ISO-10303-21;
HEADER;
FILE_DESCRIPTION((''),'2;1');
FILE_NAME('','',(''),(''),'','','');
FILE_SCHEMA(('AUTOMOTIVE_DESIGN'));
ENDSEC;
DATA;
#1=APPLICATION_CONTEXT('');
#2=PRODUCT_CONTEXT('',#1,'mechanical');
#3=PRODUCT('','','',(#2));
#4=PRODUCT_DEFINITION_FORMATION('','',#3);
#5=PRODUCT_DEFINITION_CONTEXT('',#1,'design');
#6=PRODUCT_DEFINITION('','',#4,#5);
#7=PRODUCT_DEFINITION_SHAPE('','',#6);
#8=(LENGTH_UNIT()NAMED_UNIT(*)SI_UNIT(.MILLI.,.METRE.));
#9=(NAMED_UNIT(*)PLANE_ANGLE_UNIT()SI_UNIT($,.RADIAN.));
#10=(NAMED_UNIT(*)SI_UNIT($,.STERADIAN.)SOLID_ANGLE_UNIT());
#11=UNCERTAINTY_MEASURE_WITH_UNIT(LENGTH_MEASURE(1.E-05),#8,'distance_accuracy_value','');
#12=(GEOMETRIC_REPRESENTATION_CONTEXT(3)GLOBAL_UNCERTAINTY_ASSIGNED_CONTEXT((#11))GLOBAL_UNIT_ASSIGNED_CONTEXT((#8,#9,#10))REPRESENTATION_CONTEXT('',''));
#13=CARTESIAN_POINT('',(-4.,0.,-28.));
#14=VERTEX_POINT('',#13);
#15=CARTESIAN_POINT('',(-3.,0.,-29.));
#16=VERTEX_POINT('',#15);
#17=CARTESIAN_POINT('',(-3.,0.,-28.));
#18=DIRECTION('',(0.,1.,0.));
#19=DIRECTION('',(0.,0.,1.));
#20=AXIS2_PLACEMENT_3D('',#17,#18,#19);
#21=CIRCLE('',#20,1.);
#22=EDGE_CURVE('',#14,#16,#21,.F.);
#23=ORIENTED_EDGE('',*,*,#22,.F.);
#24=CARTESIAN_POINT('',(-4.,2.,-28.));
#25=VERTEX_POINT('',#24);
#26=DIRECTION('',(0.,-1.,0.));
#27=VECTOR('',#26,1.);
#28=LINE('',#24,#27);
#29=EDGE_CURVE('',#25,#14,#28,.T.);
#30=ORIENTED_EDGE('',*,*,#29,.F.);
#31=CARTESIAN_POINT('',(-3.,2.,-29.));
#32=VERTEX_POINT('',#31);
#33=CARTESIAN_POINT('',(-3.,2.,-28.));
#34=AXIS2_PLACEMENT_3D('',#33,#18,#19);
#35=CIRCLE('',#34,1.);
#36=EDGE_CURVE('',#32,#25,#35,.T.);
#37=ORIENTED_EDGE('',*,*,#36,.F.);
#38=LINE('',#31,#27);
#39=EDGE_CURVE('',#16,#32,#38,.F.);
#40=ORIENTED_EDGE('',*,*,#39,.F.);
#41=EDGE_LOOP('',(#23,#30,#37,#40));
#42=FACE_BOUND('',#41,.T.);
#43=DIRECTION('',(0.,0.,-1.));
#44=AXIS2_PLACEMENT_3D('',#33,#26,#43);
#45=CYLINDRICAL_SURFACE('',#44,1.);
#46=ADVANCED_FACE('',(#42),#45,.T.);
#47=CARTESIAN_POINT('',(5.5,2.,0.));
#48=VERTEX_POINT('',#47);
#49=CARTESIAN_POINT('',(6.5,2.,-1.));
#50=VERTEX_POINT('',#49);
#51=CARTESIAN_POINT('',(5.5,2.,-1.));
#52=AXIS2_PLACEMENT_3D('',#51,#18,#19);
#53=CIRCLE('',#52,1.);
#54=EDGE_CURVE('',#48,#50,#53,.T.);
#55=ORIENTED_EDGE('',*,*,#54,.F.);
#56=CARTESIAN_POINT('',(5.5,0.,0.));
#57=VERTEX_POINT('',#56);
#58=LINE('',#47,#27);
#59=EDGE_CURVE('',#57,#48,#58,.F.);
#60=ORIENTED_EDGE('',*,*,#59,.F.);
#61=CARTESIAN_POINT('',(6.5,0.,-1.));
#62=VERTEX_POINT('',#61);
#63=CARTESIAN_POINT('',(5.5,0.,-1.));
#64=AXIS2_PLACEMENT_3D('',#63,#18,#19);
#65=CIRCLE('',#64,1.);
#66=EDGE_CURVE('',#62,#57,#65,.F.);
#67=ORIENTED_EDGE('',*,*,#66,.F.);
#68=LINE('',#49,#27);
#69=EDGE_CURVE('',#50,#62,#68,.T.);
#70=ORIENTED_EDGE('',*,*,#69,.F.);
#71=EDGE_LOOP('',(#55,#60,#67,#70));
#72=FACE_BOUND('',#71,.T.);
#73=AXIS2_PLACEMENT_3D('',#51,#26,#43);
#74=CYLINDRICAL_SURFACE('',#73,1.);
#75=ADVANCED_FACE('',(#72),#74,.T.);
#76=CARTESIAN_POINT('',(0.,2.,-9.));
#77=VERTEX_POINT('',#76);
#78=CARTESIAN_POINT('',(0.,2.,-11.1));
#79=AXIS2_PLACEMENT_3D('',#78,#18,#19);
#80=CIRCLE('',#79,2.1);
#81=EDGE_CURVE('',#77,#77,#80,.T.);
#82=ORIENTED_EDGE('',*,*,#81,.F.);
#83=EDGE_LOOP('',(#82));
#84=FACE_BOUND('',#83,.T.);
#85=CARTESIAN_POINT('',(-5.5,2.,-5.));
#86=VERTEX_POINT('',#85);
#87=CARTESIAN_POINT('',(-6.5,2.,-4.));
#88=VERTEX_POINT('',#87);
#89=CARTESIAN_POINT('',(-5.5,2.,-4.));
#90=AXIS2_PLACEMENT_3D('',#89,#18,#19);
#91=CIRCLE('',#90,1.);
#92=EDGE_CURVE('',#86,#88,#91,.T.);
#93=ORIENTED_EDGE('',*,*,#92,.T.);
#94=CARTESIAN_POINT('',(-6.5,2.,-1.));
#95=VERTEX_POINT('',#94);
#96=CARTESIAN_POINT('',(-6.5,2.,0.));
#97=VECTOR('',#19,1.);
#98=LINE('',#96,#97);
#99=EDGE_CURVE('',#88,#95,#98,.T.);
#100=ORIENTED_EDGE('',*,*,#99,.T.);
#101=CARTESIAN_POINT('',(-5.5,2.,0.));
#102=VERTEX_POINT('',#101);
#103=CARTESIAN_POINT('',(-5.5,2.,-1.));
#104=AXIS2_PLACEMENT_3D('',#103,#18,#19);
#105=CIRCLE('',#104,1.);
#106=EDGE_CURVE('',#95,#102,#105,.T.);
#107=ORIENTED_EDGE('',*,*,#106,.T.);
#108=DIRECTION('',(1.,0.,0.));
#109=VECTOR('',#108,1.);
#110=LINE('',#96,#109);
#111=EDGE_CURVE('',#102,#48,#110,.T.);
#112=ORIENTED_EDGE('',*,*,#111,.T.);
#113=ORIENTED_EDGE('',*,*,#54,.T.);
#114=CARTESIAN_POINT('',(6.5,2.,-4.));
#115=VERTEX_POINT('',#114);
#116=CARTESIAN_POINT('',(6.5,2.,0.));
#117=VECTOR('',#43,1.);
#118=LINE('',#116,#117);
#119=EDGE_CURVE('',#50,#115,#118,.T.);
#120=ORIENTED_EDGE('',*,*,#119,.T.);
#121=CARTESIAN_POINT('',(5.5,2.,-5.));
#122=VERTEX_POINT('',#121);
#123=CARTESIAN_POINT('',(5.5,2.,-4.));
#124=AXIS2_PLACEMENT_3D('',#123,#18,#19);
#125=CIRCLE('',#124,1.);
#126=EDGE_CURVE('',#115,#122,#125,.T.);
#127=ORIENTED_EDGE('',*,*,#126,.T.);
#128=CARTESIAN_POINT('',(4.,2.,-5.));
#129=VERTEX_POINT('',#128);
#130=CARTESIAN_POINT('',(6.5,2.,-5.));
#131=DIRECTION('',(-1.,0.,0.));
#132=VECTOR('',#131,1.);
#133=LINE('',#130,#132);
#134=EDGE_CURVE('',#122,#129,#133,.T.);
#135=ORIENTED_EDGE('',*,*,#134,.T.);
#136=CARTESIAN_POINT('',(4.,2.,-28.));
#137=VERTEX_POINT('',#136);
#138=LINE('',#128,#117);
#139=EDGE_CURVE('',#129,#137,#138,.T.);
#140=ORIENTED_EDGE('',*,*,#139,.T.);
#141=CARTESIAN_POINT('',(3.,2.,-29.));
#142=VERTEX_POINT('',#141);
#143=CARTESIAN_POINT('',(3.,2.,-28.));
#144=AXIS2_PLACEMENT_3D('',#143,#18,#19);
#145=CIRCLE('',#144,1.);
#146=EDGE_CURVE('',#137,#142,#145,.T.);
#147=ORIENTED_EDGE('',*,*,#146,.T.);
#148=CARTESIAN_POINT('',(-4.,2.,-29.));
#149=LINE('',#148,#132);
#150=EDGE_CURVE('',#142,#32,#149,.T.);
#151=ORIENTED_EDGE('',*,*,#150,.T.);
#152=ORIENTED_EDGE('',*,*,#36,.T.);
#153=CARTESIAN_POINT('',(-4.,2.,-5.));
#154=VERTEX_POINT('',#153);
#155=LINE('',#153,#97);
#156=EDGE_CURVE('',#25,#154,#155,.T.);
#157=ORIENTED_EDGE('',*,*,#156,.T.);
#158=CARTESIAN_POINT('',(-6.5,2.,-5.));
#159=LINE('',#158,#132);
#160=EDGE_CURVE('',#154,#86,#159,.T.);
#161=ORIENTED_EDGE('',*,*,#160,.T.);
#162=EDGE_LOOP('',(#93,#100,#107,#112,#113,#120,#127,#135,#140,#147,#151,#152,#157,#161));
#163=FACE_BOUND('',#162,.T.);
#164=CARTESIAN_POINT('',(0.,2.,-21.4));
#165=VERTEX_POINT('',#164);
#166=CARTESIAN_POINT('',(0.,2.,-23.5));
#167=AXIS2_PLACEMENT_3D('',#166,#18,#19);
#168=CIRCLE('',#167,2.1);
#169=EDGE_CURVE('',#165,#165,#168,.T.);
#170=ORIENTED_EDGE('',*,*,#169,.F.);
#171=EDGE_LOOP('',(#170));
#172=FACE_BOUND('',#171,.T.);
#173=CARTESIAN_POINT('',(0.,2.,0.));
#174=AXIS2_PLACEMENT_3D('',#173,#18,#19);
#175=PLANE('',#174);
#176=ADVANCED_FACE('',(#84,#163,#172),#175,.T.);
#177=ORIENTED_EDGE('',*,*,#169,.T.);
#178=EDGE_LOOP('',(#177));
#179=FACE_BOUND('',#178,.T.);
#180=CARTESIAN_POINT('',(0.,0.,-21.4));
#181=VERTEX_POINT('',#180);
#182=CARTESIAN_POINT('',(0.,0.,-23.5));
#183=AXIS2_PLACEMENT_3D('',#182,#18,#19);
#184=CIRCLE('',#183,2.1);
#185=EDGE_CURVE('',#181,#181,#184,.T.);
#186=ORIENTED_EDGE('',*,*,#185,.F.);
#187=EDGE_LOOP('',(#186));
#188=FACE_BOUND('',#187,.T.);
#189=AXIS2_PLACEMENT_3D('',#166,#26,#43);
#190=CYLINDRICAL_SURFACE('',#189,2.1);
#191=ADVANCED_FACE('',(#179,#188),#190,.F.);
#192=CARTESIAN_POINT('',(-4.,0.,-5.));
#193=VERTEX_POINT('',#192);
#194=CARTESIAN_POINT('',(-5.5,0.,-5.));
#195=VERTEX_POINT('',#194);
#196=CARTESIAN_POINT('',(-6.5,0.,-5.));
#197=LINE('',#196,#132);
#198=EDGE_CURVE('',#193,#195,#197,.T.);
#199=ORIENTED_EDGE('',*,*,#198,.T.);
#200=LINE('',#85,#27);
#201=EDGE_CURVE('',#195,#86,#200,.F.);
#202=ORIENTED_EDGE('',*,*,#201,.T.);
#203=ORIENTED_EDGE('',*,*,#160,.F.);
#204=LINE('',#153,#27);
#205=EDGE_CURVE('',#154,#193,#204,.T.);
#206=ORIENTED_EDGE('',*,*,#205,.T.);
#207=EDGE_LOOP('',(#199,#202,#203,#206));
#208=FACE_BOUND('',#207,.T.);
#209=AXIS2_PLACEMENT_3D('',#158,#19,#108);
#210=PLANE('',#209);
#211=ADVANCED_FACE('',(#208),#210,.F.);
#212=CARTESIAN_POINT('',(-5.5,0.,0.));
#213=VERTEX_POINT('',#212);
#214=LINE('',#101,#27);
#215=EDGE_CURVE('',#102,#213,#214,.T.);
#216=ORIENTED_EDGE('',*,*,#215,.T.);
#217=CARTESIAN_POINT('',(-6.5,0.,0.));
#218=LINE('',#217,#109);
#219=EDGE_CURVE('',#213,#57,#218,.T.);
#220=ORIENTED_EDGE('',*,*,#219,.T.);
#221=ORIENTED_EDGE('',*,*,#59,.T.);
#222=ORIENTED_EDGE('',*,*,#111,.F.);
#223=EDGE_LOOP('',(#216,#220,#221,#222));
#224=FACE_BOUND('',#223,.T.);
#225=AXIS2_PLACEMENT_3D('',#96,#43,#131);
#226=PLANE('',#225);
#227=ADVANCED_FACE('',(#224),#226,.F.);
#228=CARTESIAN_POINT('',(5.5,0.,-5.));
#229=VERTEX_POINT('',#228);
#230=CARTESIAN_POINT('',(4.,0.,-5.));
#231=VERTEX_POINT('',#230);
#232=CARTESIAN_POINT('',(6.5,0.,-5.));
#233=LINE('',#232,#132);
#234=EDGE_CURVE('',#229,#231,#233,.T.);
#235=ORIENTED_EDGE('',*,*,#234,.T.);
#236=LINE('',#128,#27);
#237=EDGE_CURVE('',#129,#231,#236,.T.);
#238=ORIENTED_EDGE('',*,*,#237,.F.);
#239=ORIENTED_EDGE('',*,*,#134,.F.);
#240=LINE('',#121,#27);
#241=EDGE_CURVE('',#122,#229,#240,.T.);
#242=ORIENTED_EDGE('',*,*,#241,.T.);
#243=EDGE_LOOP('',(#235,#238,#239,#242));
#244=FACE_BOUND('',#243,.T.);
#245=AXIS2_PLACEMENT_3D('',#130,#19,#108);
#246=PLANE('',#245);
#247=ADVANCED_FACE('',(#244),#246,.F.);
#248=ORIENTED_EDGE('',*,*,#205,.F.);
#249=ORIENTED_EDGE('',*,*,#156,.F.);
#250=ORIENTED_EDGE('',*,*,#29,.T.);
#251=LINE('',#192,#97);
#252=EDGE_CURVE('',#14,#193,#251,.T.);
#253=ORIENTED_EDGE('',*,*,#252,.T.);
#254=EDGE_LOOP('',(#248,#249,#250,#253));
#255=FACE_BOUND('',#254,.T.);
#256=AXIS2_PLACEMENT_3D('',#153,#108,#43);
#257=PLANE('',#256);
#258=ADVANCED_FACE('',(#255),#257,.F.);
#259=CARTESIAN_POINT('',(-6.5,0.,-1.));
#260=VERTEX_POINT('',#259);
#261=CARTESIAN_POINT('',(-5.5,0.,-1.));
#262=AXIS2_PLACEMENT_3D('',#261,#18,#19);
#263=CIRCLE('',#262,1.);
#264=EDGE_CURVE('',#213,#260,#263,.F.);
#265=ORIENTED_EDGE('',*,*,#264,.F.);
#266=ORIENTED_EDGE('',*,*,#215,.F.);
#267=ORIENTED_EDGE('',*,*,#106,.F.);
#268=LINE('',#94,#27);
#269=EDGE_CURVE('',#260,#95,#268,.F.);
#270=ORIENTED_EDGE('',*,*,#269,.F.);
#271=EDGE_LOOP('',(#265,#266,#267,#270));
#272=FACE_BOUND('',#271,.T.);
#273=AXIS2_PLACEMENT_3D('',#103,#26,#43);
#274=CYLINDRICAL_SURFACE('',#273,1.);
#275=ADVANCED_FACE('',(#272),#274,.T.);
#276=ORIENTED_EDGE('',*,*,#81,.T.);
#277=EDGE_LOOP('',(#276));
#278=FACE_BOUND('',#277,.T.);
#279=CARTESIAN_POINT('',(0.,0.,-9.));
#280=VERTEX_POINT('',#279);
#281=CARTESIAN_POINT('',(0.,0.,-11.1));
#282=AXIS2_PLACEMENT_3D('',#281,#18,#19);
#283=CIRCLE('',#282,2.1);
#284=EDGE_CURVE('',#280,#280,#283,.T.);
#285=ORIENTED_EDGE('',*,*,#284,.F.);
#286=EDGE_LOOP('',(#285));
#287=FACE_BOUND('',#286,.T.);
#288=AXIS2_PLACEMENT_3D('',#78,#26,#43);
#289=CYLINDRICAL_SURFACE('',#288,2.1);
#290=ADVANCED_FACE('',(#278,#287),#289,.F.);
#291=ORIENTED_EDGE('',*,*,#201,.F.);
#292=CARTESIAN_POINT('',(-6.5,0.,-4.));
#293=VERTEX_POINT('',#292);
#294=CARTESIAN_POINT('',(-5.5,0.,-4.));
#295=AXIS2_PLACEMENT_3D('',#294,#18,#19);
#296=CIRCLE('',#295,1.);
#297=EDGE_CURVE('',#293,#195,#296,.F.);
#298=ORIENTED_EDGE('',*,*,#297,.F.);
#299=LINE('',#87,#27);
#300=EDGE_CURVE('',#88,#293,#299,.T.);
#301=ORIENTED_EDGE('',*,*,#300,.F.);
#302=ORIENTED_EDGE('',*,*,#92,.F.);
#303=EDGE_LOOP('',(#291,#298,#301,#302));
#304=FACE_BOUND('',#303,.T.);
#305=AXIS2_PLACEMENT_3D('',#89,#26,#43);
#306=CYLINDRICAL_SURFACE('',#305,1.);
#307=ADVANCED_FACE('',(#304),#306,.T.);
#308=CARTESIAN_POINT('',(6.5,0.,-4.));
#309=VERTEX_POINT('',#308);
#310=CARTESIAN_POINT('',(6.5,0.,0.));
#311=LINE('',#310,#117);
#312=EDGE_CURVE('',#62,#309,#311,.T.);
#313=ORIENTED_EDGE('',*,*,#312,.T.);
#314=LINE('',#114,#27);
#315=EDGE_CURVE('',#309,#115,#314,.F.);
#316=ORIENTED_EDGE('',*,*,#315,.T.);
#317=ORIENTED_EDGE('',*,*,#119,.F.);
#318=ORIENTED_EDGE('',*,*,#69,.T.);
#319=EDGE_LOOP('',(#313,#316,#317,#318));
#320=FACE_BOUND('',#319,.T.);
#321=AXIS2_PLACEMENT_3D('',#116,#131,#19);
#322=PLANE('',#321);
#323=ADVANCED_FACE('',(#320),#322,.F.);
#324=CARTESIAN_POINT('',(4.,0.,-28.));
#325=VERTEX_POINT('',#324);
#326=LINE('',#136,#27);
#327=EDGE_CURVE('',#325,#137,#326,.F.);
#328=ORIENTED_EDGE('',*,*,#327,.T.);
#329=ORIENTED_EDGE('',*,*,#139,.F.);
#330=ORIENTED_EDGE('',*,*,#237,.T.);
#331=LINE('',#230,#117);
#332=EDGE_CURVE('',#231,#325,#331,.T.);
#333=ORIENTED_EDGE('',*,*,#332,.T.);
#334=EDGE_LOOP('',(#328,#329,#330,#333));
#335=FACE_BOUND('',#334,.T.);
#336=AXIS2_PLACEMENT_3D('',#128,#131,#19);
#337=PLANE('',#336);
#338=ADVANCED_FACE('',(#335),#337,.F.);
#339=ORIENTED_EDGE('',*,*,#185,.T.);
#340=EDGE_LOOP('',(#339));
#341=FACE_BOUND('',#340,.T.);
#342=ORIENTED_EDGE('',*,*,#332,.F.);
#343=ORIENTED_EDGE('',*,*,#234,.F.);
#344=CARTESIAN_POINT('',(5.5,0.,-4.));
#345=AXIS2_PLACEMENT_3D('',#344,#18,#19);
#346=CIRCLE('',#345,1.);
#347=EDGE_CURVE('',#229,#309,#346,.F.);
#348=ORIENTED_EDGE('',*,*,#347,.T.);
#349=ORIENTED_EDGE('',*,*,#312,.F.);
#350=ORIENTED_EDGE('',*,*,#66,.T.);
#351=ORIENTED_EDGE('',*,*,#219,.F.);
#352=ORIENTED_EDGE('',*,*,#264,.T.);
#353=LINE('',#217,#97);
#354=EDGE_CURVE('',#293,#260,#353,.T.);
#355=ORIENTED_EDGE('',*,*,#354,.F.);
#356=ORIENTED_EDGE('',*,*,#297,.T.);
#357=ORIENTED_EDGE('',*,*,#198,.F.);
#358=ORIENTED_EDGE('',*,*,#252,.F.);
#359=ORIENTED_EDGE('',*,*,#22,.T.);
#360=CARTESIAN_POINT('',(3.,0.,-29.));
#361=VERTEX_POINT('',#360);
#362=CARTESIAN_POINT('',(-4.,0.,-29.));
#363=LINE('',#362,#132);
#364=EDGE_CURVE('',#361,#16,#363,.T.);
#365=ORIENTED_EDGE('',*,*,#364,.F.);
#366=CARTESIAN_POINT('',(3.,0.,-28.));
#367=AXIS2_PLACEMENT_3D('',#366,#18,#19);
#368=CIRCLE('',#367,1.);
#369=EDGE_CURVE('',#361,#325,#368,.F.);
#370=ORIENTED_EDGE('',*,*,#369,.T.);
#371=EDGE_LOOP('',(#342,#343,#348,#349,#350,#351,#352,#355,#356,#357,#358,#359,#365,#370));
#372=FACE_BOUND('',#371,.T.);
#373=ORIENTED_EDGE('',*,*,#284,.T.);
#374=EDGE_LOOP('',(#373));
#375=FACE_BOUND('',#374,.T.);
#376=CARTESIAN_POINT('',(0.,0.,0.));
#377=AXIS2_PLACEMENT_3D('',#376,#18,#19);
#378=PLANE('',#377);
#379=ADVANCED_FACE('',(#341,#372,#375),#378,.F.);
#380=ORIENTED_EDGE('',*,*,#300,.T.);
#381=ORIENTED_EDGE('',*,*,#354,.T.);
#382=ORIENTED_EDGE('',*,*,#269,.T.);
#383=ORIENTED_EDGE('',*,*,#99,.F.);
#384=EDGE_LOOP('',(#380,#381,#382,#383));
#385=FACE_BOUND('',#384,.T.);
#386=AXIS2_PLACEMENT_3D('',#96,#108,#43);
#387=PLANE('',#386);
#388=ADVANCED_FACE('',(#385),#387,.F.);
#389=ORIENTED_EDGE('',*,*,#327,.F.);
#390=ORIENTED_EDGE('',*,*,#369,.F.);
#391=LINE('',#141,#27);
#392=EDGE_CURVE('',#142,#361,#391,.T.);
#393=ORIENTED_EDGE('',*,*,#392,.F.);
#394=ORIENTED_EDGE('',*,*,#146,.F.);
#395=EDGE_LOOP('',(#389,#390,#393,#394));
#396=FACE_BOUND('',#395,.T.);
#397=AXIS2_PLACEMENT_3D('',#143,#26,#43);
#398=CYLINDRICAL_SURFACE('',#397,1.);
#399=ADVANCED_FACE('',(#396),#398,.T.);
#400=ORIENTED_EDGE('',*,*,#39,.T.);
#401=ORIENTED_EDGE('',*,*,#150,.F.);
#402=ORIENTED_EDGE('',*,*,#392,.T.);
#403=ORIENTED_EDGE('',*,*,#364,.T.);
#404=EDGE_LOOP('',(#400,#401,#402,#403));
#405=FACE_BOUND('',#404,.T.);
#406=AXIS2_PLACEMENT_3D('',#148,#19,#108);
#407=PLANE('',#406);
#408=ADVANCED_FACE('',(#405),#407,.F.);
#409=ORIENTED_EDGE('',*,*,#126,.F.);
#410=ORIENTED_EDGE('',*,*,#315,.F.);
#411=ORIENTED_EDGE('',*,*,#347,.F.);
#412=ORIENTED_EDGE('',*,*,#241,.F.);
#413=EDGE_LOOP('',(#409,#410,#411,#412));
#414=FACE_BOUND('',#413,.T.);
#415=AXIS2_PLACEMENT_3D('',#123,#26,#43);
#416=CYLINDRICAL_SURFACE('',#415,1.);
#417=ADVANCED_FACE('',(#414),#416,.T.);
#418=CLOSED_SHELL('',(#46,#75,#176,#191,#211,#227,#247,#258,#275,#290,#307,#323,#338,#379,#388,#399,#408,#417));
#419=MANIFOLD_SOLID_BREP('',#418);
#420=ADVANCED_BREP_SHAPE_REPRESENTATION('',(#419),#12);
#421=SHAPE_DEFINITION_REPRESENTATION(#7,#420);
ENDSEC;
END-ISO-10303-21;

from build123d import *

# Parameters (mm, degrees)
SKETCH1_R           = 2.1
BOSS_EXTRUDE1_DEPTH = 2
FILLET1_R           = 1
FILLET2_R           = 1
FILLET3_R           = 1
FILLET4_R           = 1
FILLET5_R           = 1
FILLET6_R           = 1


with BuildPart() as part:
    # Sketch1 → Boss-Extrude1 (new body)
    with BuildSketch(Plane(origin=(0, 0, 0), x_dir=(1, 0, 0), z_dir=(0, 1, 0))):
        Polygon((-6.5, 0), (6.5, 0), (6.5, 5), (4, 5), (4, 29), (-4, 29), (-4, 5), (-6.5, 5), align=None)
        with Locations(Location((0, 11.1, 0), (0, 0, 270))):
            Circle(SKETCH1_R, mode=Mode.SUBTRACT)
        with Locations(Location((0, 23.5, 0), (0, 0, 270))):
            Circle(SKETCH1_R, mode=Mode.SUBTRACT)
    extrude(amount=BOSS_EXTRUDE1_DEPTH)

    # Fillet1
    fillet1_edges = [part.edges().sort_by_distance(p)[0] for p in [
        (6.5, 1, 0),
    ]]
    fillet(fillet1_edges, radius=FILLET1_R)

    # Fillet2
    fillet2_edges = [part.edges().sort_by_distance(p)[0] for p in [
        (6.5, 1, -5),
    ]]
    fillet(fillet2_edges, radius=FILLET2_R)

    # Fillet3
    fillet3_edges = [part.edges().sort_by_distance(p)[0] for p in [
        (-6.5, 1, 0),
    ]]
    fillet(fillet3_edges, radius=FILLET3_R)

    # Fillet4
    fillet4_edges = [part.edges().sort_by_distance(p)[0] for p in [
        (-6.5, 1, -5),
    ]]
    fillet(fillet4_edges, radius=FILLET4_R)

    # Fillet5
    fillet5_edges = [part.edges().sort_by_distance(p)[0] for p in [
        (-4, 1, -29),
    ]]
    fillet(fillet5_edges, radius=FILLET5_R)

    # Fillet6
    fillet6_edges = [part.edges().sort_by_distance(p)[0] for p in [
        (4, 1, -29),
    ]]
    fillet(fillet6_edges, radius=FILLET6_R)


solid = part.part
